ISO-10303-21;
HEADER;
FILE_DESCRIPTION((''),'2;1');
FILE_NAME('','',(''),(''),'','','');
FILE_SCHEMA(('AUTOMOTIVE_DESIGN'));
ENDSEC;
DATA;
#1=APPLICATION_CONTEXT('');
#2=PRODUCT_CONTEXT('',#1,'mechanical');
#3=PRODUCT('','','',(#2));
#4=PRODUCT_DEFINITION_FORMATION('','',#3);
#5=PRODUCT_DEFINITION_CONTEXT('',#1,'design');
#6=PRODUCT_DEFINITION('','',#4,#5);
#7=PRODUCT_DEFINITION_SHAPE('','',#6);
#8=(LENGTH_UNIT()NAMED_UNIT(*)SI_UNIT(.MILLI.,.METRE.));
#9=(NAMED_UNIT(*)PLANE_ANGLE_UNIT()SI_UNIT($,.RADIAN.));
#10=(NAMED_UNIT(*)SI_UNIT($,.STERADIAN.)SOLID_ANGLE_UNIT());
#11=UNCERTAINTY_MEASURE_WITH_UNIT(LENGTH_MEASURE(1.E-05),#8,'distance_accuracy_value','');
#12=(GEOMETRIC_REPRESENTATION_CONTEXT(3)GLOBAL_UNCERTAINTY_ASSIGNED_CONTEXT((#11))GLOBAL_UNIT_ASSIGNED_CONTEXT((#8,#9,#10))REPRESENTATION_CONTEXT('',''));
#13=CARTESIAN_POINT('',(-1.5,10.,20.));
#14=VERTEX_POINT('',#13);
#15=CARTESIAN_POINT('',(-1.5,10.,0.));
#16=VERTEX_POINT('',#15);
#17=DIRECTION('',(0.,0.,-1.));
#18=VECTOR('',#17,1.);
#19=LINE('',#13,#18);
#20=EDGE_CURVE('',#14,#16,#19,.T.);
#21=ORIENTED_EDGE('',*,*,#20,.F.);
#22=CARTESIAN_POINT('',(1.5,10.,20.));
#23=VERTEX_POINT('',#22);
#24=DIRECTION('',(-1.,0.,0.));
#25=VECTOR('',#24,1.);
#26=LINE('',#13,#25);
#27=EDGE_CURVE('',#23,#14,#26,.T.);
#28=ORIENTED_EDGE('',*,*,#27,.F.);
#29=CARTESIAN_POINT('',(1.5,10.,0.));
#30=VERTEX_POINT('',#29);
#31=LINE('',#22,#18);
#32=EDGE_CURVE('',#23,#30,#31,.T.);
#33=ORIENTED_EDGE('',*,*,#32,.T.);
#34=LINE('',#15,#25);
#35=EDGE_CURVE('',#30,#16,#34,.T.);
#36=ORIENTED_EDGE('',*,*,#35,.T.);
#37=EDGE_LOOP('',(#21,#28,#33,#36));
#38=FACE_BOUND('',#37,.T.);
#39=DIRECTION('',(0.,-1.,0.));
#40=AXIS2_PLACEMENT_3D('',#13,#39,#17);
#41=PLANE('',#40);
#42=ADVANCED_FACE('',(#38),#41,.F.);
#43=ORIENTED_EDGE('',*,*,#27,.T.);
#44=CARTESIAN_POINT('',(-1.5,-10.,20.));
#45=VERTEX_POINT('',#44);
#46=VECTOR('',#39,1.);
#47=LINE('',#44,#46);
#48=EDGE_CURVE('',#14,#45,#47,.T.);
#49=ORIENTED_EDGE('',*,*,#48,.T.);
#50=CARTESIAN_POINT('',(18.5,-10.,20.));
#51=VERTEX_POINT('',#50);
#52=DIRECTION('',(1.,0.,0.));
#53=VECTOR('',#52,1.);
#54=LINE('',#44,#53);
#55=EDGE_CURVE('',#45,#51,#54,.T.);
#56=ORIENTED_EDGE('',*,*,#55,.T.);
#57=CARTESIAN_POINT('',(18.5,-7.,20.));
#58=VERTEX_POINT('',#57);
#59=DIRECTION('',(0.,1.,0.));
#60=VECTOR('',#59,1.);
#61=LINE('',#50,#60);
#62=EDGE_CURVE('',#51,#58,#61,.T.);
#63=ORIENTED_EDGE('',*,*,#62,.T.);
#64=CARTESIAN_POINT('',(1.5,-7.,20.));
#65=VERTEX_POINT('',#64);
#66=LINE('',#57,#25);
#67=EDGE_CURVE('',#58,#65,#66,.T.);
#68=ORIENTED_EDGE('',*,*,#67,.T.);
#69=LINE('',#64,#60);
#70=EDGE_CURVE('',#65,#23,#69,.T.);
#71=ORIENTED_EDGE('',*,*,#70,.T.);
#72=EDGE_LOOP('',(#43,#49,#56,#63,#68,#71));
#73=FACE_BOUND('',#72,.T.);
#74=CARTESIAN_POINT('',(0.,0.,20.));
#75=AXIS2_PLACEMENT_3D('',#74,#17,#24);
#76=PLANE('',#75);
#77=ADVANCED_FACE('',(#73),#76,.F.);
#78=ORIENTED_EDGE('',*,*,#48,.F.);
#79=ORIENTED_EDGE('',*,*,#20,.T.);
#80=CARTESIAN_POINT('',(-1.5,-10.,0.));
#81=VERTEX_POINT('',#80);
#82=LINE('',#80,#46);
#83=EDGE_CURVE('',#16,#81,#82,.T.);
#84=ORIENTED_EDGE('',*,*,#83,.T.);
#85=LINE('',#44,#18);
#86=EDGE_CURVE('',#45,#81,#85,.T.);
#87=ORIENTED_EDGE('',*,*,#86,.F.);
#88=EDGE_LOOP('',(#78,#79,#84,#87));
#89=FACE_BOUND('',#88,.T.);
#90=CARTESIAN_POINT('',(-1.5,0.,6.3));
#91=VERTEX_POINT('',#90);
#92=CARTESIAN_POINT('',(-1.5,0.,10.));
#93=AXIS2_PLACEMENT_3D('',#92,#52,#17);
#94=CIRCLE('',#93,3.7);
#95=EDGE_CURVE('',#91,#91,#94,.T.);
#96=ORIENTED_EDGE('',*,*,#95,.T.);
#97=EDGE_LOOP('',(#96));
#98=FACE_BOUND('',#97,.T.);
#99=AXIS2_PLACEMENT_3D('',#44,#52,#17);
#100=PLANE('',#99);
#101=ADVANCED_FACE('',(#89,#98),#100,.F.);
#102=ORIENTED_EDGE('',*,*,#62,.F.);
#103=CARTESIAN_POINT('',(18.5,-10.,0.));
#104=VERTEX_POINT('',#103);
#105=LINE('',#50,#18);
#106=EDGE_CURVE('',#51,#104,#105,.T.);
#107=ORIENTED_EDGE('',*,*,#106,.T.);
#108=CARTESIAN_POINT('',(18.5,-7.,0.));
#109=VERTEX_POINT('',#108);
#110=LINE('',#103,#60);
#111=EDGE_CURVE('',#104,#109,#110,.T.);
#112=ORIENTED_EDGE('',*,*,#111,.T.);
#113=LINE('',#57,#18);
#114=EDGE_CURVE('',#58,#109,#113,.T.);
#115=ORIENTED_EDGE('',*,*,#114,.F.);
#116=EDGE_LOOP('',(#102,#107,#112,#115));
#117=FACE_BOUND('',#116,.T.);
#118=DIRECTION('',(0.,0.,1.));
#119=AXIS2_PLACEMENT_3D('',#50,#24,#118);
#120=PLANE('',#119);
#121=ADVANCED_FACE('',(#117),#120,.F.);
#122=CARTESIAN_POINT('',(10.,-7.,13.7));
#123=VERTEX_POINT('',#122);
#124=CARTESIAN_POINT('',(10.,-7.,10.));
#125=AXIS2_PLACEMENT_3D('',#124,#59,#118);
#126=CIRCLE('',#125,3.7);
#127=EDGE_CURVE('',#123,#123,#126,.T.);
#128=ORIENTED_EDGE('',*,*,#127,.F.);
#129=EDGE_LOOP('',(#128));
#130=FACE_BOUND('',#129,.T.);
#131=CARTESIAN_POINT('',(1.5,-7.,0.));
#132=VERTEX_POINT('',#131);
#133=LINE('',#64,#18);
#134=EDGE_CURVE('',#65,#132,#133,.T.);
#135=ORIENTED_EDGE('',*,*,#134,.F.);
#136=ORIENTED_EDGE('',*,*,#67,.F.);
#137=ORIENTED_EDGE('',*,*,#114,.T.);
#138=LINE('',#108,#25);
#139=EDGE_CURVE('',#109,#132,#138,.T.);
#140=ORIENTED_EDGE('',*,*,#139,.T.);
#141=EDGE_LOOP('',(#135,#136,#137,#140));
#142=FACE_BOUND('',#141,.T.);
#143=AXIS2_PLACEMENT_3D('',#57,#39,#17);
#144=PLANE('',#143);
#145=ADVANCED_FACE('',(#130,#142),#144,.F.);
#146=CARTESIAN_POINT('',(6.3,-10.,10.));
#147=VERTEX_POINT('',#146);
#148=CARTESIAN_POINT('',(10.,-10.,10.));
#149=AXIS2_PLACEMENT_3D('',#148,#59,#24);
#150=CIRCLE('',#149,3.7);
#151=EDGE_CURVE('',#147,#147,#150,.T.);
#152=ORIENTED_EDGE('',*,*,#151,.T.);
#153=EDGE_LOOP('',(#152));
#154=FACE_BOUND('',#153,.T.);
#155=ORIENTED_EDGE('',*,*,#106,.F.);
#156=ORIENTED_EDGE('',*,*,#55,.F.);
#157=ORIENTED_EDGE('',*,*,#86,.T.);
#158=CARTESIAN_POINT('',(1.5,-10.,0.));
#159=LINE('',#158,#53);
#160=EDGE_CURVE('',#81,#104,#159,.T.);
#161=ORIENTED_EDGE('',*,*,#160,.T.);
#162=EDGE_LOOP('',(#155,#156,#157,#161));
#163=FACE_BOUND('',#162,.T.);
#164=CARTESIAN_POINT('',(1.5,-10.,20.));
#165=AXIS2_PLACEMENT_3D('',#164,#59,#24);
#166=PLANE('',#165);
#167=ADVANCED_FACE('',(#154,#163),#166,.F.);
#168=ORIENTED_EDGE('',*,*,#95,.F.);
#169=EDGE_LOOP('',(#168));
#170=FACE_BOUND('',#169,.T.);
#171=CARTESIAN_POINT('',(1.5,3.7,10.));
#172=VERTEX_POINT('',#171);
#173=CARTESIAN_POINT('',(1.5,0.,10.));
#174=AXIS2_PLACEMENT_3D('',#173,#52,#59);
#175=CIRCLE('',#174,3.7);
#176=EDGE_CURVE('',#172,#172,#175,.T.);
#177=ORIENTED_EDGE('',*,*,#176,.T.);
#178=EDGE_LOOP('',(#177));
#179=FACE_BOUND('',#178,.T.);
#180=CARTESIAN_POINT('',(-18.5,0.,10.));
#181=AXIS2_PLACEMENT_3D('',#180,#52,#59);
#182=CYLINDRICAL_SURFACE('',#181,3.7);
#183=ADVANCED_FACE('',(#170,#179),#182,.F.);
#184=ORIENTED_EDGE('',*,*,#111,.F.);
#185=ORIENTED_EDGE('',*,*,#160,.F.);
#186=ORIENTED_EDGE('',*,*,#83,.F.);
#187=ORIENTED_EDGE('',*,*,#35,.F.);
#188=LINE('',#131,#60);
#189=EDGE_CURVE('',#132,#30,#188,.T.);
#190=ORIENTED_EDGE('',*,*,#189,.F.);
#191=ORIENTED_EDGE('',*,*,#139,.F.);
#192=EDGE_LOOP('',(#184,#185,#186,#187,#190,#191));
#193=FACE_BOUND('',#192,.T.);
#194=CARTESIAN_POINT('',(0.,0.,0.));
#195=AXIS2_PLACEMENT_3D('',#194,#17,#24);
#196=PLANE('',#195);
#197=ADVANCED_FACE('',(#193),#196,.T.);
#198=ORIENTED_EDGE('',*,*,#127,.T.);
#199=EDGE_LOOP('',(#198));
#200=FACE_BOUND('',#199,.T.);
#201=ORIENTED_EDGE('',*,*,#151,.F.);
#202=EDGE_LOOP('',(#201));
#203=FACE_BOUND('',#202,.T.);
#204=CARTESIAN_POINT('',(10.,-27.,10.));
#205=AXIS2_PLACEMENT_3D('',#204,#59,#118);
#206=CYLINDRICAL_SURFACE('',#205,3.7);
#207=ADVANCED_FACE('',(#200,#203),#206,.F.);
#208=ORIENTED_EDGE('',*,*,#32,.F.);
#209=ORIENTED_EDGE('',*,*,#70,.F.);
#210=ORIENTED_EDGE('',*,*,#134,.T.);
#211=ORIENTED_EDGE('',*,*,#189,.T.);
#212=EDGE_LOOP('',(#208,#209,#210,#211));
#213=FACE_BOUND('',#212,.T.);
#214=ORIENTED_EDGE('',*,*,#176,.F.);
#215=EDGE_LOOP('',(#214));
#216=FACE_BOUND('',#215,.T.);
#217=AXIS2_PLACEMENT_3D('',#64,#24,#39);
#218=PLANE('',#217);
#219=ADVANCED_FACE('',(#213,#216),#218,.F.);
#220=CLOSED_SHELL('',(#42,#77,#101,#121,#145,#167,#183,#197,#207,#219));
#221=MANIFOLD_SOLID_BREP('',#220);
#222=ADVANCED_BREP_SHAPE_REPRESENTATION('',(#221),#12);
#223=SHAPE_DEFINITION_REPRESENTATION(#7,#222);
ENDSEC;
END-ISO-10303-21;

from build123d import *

# Parameters (mm, degrees)
BOSS_EXTRUDE1_DEPTH = 20
SKETCH2_R           = 3.7
CUT_EXTRUDE1_DEPTH  = 20
SKETCH3_R           = 3.7
CUT_EXTRUDE2_DEPTH  = 20


with BuildPart() as part:
    # Sketch1 → Boss-Extrude1 (new body)
    with BuildSketch(Plane.XY):
        Polygon((1.5, -10), (18.5, -10), (18.5, -7), (1.5, -7), (1.5, 10), (-1.5, 10), (-1.5, -10), align=None)
    extrude(amount=BOSS_EXTRUDE1_DEPTH)

    # Sketch2 → Cut-Extrude1 (cut)
    with BuildSketch(Plane(origin=(0, -7, 0), x_dir=(1, 0, 0), z_dir=(0, 1, 0))):
        with Locations(Location((10, -10, 0), (0, 0, 270))):
            Circle(SKETCH2_R)
    extrude(amount=-CUT_EXTRUDE1_DEPTH, mode=Mode.SUBTRACT)

    # Sketch3 → Cut-Extrude2 (cut)
    with BuildSketch(Plane(origin=(1.5, 0, 0), x_dir=(0, 0, -1), z_dir=(1, 0, 0))):
        with Locations(Location((-10, 0, 0), (0, 0, 90))):
            Circle(SKETCH3_R)
    extrude(amount=-CUT_EXTRUDE2_DEPTH, mode=Mode.SUBTRACT)


solid = part.part
